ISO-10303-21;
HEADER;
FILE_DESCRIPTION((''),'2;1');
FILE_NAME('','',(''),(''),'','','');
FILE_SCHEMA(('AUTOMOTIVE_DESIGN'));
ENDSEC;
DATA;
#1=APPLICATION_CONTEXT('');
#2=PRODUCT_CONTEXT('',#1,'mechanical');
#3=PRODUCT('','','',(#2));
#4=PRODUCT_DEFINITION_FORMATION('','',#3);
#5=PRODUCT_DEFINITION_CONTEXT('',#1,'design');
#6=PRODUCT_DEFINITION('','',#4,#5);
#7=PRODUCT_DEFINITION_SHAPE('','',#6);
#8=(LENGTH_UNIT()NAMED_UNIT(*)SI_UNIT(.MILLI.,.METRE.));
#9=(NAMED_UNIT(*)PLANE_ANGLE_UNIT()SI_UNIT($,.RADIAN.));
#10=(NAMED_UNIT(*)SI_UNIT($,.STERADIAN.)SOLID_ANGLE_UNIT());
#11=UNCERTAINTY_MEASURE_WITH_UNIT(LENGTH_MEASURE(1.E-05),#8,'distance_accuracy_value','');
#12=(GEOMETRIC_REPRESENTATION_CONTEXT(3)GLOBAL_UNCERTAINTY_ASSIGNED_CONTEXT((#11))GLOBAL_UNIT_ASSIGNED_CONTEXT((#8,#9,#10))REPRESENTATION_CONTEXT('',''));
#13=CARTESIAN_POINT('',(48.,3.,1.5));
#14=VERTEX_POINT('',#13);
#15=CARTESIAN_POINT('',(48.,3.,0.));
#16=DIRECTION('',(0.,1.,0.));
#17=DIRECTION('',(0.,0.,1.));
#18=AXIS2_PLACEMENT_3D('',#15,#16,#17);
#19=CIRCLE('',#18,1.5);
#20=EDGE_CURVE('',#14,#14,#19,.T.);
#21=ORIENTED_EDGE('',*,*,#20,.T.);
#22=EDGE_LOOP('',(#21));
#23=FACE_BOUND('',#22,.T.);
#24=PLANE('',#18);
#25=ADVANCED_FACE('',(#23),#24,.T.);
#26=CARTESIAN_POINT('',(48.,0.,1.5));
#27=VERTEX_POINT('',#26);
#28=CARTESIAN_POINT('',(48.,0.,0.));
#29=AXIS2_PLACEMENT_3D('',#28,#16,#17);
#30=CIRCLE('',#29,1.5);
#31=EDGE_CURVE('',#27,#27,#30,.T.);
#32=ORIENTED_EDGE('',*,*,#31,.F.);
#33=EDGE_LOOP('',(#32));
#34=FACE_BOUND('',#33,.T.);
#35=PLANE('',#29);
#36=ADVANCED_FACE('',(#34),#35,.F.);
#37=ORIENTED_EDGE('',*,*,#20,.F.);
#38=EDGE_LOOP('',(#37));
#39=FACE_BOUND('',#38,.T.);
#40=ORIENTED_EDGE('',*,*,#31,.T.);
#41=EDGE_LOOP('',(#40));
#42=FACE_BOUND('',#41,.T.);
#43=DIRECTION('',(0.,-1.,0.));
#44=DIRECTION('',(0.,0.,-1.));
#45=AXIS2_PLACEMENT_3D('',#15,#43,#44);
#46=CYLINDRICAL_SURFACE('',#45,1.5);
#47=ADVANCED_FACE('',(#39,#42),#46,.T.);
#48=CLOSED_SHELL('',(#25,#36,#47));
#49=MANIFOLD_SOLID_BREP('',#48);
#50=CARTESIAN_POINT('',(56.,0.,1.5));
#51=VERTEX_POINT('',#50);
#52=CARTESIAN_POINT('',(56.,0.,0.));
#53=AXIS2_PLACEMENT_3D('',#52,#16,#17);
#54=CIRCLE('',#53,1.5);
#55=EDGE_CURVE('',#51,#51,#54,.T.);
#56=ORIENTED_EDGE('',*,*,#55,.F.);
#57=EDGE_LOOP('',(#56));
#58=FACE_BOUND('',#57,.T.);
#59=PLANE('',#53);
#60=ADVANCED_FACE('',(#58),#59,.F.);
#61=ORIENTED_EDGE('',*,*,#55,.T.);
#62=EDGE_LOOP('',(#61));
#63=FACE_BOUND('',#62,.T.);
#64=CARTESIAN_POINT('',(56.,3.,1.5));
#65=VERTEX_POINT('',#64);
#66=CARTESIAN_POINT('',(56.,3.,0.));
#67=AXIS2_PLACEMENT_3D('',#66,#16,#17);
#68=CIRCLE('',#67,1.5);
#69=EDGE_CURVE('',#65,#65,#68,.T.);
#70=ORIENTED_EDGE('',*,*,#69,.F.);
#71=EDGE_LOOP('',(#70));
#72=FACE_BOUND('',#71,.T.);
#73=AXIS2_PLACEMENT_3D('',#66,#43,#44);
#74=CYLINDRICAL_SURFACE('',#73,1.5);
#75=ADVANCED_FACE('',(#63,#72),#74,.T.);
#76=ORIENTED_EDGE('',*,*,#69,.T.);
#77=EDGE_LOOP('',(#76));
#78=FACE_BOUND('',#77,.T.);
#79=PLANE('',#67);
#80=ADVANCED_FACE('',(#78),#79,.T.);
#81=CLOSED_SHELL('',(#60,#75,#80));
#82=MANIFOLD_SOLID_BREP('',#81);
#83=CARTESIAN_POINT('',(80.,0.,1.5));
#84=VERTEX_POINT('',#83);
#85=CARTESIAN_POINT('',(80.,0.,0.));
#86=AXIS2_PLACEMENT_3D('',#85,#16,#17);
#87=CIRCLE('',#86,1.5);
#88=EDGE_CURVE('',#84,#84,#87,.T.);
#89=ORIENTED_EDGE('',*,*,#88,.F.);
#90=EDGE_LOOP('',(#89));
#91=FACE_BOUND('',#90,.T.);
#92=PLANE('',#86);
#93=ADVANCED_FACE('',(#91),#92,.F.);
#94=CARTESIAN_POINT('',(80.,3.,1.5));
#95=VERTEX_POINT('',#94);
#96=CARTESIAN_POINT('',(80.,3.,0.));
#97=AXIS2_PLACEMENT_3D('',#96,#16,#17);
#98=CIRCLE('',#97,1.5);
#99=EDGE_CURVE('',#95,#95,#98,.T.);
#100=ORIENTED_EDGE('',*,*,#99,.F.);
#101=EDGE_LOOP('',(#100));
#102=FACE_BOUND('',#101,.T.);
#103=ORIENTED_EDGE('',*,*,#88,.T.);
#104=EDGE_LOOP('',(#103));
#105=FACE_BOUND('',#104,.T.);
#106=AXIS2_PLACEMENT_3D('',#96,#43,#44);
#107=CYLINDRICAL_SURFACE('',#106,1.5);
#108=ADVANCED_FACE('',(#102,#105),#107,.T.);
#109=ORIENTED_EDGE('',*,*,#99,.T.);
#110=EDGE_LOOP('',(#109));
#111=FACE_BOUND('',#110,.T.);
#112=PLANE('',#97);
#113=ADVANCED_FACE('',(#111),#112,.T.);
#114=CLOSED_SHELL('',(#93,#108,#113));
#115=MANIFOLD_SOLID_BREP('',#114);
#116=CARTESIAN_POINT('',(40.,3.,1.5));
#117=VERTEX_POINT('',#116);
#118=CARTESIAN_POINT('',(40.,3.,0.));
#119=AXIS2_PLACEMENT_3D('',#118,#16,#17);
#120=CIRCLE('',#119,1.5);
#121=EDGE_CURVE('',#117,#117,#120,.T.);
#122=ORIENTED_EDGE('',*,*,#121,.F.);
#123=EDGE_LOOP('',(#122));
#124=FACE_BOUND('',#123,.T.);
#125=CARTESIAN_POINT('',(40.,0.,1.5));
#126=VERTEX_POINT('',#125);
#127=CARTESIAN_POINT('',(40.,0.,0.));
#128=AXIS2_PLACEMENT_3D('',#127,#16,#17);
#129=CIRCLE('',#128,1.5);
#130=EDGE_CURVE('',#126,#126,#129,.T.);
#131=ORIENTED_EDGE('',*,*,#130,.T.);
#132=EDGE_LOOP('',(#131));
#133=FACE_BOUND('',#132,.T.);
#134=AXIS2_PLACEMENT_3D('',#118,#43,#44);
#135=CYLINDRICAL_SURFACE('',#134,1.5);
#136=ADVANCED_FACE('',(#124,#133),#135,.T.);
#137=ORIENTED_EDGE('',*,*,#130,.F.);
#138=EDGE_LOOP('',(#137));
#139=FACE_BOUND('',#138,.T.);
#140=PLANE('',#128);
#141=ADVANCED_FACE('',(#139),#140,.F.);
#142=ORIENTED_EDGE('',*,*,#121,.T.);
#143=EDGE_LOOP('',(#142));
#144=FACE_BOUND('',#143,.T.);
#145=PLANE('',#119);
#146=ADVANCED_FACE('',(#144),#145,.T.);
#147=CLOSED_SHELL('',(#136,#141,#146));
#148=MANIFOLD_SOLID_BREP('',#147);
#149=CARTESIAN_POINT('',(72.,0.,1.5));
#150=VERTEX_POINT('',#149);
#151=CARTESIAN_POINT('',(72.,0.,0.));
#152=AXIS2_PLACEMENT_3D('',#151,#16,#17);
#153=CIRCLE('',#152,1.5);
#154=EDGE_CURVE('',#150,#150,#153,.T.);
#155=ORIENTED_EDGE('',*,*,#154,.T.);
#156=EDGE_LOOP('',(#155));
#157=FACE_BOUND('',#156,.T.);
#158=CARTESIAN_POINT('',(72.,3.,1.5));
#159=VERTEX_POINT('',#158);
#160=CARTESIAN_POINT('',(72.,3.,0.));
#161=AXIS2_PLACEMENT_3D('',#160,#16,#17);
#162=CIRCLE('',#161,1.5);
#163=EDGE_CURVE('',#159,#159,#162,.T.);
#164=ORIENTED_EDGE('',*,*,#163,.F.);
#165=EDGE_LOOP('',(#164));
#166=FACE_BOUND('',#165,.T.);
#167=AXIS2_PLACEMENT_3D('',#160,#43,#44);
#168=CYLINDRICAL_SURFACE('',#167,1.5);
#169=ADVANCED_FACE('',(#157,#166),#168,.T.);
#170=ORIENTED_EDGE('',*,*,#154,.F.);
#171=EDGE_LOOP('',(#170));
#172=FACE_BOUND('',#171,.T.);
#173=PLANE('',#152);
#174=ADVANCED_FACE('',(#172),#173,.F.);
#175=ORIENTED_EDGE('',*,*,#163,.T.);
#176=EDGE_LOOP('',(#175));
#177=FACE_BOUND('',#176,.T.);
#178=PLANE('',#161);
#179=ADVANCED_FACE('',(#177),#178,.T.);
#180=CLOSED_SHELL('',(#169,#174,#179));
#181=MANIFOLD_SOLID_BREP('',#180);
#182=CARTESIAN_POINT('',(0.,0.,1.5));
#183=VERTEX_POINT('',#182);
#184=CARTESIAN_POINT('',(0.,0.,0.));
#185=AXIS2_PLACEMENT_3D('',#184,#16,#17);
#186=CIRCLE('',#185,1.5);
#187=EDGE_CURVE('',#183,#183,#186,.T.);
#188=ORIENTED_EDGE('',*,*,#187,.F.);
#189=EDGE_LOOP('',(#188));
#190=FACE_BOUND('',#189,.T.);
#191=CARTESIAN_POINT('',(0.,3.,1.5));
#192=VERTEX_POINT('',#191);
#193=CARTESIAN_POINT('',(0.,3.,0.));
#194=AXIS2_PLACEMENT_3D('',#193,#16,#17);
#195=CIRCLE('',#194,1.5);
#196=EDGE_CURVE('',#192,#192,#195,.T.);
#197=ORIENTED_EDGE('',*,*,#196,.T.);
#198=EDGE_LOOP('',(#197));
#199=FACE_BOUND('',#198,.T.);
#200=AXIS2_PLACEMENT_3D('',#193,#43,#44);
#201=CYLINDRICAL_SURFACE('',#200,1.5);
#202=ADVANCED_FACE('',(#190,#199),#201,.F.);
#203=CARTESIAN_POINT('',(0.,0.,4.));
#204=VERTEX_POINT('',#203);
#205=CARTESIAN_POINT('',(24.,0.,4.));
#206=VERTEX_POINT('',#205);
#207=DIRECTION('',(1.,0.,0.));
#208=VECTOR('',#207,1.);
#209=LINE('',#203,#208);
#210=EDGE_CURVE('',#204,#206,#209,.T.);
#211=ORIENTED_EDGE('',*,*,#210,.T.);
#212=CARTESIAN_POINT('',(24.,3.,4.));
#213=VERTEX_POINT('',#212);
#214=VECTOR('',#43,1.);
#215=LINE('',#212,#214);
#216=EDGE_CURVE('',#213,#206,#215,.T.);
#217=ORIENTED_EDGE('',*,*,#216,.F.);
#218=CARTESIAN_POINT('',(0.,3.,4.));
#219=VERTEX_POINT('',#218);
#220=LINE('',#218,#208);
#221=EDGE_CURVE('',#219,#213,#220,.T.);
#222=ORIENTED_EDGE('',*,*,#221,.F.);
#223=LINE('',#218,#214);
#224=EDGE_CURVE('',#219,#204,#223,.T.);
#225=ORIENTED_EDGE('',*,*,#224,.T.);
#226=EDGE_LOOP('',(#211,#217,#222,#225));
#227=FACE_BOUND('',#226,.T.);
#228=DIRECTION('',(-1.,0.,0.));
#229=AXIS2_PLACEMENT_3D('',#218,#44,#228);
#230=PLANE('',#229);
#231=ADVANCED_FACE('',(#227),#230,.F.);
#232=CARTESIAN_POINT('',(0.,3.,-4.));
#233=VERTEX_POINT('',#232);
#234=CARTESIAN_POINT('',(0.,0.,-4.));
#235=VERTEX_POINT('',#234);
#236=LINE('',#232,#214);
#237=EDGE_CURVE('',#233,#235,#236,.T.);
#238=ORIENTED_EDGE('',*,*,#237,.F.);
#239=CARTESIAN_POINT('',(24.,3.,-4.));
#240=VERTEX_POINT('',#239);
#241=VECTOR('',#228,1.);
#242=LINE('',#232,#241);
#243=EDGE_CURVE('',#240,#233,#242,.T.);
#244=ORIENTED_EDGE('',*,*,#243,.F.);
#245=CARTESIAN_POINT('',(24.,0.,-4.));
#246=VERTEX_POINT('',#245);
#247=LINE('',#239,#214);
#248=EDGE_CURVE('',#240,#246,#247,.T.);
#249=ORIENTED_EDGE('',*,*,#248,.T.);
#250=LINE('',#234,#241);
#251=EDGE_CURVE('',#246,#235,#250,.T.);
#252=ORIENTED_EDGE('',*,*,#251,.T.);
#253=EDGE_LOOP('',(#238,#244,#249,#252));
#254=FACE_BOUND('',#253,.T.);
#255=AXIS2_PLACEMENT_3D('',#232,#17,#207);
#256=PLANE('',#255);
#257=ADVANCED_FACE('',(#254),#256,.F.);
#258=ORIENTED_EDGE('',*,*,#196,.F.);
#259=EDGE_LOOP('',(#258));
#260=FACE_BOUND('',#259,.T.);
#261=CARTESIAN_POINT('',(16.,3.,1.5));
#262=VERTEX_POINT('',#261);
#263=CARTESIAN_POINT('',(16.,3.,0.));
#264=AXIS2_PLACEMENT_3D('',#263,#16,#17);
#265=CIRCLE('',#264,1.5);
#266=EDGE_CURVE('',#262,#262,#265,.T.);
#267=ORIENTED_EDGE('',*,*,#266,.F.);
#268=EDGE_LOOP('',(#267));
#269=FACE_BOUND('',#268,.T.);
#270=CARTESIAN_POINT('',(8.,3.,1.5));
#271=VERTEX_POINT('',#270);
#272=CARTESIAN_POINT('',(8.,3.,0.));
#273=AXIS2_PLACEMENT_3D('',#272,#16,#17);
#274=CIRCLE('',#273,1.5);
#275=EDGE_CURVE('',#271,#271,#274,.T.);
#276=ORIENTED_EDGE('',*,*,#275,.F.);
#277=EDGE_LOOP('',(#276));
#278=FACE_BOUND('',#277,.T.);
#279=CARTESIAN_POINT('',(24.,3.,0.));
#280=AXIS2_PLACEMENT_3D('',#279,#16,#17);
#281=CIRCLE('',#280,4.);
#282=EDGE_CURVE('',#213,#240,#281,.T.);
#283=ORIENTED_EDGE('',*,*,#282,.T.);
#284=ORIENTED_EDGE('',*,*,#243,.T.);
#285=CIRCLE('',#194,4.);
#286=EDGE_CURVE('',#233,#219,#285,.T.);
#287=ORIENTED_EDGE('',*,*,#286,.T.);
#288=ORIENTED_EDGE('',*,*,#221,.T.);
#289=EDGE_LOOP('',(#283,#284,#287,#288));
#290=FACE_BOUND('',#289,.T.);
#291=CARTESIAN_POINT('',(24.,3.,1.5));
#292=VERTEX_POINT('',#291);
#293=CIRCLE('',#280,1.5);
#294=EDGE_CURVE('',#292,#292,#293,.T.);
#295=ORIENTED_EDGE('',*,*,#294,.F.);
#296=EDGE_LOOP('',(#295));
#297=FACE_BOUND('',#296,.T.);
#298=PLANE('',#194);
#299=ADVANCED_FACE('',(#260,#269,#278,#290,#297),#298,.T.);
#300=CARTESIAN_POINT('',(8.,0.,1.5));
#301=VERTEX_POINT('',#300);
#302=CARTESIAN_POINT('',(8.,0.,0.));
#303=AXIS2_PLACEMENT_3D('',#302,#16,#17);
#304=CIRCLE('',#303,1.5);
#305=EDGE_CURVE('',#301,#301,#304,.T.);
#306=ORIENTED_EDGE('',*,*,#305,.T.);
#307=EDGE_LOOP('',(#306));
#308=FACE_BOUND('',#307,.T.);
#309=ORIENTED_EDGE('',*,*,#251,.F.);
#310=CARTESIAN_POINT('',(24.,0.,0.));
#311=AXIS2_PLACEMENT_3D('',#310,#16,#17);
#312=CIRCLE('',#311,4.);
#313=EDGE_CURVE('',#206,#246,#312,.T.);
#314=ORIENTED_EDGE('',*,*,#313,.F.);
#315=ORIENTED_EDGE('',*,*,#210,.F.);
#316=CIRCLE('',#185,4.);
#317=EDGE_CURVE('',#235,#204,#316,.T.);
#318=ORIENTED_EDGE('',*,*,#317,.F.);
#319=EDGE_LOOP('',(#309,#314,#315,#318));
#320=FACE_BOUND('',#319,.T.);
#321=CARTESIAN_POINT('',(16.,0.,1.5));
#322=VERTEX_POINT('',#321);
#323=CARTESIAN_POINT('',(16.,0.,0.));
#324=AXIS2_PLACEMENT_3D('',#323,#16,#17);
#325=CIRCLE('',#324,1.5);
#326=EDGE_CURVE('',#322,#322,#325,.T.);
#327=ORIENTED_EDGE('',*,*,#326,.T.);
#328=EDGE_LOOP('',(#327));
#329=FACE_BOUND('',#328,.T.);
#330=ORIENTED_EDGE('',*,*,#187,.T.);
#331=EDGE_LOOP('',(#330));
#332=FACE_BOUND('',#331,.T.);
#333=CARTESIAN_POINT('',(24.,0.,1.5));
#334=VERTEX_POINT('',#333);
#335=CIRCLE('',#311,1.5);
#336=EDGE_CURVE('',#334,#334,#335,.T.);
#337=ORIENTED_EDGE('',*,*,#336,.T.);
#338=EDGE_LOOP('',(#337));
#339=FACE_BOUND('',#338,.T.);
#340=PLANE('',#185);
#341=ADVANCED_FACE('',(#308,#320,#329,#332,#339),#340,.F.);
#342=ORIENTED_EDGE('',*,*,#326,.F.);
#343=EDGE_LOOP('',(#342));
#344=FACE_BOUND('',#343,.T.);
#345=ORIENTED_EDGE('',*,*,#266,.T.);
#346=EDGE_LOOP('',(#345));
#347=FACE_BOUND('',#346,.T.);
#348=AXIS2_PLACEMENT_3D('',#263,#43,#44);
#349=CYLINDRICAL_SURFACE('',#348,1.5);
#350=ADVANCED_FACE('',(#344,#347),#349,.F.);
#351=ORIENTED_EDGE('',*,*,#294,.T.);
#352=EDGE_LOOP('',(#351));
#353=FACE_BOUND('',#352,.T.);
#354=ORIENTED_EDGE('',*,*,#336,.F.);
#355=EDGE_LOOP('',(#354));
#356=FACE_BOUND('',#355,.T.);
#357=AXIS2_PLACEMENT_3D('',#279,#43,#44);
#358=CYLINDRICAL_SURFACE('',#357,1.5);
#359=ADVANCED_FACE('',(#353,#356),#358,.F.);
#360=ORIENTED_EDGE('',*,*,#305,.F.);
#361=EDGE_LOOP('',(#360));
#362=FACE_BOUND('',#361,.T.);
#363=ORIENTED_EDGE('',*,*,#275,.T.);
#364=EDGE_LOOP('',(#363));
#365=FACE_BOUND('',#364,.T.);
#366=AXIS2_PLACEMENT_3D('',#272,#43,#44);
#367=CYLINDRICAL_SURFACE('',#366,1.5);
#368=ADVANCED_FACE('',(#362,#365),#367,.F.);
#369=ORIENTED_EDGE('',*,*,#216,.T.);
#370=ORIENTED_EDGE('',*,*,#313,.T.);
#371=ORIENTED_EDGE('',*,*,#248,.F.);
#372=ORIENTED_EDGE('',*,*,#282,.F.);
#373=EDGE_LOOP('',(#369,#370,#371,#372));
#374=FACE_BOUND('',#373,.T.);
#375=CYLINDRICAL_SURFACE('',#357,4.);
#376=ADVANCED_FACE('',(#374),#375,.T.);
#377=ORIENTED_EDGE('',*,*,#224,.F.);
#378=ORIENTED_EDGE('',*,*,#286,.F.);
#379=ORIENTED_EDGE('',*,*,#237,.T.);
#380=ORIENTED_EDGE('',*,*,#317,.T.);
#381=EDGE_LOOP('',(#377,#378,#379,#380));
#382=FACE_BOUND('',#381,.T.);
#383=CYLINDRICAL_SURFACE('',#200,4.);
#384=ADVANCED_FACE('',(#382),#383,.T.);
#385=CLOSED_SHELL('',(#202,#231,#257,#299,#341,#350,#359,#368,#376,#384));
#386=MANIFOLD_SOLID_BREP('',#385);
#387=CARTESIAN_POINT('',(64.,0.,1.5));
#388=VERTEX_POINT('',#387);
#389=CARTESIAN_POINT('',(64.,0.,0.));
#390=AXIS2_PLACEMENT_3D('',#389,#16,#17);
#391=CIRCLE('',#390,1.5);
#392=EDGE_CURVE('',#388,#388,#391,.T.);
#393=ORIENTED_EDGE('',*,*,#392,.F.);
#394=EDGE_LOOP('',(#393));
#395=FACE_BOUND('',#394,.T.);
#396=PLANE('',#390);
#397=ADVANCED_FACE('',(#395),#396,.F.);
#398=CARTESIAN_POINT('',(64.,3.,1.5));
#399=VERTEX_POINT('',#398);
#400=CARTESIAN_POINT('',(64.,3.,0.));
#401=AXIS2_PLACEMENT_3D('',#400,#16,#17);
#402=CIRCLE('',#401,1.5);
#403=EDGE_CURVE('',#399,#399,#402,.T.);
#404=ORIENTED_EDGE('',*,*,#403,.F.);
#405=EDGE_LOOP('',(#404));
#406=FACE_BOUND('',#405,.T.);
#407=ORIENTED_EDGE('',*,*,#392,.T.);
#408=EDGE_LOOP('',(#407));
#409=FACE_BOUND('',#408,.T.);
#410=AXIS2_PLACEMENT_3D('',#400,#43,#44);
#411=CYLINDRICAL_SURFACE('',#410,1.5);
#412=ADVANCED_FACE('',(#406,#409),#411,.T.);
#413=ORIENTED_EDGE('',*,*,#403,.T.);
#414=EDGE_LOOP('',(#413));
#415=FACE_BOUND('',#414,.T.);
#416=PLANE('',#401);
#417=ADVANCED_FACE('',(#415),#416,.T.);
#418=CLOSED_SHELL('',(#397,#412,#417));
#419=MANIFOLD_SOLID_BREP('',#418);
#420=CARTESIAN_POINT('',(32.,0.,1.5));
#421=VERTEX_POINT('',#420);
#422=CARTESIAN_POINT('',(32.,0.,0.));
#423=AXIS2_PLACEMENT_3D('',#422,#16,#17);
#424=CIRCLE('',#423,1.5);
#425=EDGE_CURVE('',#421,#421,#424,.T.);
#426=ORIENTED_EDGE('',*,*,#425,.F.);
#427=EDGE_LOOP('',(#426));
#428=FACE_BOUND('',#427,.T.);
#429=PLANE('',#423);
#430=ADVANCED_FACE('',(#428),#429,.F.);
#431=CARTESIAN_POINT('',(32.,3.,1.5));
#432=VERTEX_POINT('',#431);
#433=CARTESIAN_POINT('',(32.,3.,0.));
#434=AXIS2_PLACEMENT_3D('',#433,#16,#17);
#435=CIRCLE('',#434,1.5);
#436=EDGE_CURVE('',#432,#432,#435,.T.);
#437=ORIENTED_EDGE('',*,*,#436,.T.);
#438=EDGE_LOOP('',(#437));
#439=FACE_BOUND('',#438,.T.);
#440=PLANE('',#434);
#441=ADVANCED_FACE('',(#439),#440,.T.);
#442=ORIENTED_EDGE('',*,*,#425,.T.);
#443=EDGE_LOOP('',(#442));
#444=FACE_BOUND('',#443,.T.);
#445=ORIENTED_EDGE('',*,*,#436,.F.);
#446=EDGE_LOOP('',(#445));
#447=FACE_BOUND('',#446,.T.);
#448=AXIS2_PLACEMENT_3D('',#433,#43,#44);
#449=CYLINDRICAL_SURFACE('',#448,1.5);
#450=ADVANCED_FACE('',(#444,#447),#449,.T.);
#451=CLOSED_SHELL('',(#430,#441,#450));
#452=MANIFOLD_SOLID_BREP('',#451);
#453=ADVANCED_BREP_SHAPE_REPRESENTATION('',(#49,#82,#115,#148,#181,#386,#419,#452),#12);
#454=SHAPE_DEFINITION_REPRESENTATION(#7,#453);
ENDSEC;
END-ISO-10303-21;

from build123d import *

# Parameters (mm, degrees)
SKETCH2_R             = 1.5
BOSS_EXTRUDE2_DEPTH   = 3
BOSS_EXTRUDE2_2_DEPTH = 3
BOSS_EXTRUDE2_3_DEPTH = 3
BOSS_EXTRUDE2_4_DEPTH = 3
BOSS_EXTRUDE2_5_DEPTH = 3
BOSS_EXTRUDE2_6_DEPTH = 3
BOSS_EXTRUDE2_7_DEPTH = 3
BOSS_EXTRUDE2_8_DEPTH = 3


with BuildPart() as part:
    # Sketch2 → Boss-Extrude2 (new body)
    with BuildSketch(Plane(origin=(0, 0, 0), x_dir=(1, 0, 0), z_dir=(0, 1, 0))):
        with Locations(Location((32, 0, 0), (0, 0, 270))):
            Circle(SKETCH2_R)
    extrude(amount=BOSS_EXTRUDE2_DEPTH)


with BuildPart() as body_2:
    # Sketch2 → Boss-Extrude2 2 (new body)
    with BuildSketch(Plane(origin=(0, 0, 0), x_dir=(1, 0, 0), z_dir=(0, 1, 0))):
        with Locations(Location((40, 0, 0), (0, 0, 270))):
            Circle(SKETCH2_R)
    extrude(amount=BOSS_EXTRUDE2_2_DEPTH)


with BuildPart() as body_3:
    # Sketch2 → Boss-Extrude2 3 (new body)
    with BuildSketch(Plane(origin=(0, 0, 0), x_dir=(1, 0, 0), z_dir=(0, 1, 0))):
        with Locations(Location((48, 0, 0), (0, 0, 270))):
            Circle(SKETCH2_R)
    extrude(amount=BOSS_EXTRUDE2_3_DEPTH)


with BuildPart() as body_4:
    # Sketch2 → Boss-Extrude2 4 (new body)
    with BuildSketch(Plane(origin=(0, 0, 0), x_dir=(1, 0, 0), z_dir=(0, 1, 0))):
        with Locations(Location((56, 0, 0), (0, 0, 270))):
            Circle(SKETCH2_R)
    extrude(amount=BOSS_EXTRUDE2_4_DEPTH)


with BuildPart() as body_5:
    # Sketch2 → Boss-Extrude2 5 (new body)
    with BuildSketch(Plane(origin=(0, 0, 0), x_dir=(1, 0, 0), z_dir=(0, 1, 0))):
        with Locations(Location((64, 0, 0), (0, 0, 270))):
            Circle(SKETCH2_R)
    extrude(amount=BOSS_EXTRUDE2_5_DEPTH)


with BuildPart() as body_6:
    # Sketch2 → Boss-Extrude2 6 (new body)
    with BuildSketch(Plane(origin=(0, 0, 0), x_dir=(1, 0, 0), z_dir=(0, 1, 0))):
        with Locations(Location((72, 0, 0), (0, 0, 270))):
            Circle(SKETCH2_R)
    extrude(amount=BOSS_EXTRUDE2_6_DEPTH)


with BuildPart() as body_7:
    # Sketch2 → Boss-Extrude2 7 (new body)
    with BuildSketch(Plane(origin=(0, 0, 0), x_dir=(1, 0, 0), z_dir=(0, 1, 0))):
        with Locations(Location((80, 0, 0), (0, 0, 270))):
            Circle(SKETCH2_R)
    extrude(amount=BOSS_EXTRUDE2_7_DEPTH)


with BuildPart() as body_8:
    # Sketch2 → Boss-Extrude2 8 (new body)
    with BuildSketch(Plane(origin=(0, 0, 0), x_dir=(1, 0, 0), z_dir=(0, 1, 0))):
        with BuildLine():
            Line((0, 4), (24, 4))
            ThreePointArc((24, 4), (28, 0), (24, -4))
            Line((24, -4), (0, -4))
            ThreePointArc((0, -4), (-4, 0), (0, 4))
        make_face()
        with Locations(Location((0, 0, 0), (0, 0, 270))):
            Circle(SKETCH2_R, mode=Mode.SUBTRACT)
        with Locations(Location((8, 0, 0), (0, 0, 270))):
            Circle(SKETCH2_R, mode=Mode.SUBTRACT)
        with Locations(Location((16, 0, 0), (0, 0, 270))):
            Circle(SKETCH2_R, mode=Mode.SUBTRACT)
        with Locations(Location((24, 0, 0), (0, 0, 270))):
            Circle(SKETCH2_R, mode=Mode.SUBTRACT)
    extrude(amount=BOSS_EXTRUDE2_8_DEPTH)


solid = Compound([part.part, body_2.part, body_3.part, body_4.part, body_5.part, body_6.part, body_7.part, body_8.part])
